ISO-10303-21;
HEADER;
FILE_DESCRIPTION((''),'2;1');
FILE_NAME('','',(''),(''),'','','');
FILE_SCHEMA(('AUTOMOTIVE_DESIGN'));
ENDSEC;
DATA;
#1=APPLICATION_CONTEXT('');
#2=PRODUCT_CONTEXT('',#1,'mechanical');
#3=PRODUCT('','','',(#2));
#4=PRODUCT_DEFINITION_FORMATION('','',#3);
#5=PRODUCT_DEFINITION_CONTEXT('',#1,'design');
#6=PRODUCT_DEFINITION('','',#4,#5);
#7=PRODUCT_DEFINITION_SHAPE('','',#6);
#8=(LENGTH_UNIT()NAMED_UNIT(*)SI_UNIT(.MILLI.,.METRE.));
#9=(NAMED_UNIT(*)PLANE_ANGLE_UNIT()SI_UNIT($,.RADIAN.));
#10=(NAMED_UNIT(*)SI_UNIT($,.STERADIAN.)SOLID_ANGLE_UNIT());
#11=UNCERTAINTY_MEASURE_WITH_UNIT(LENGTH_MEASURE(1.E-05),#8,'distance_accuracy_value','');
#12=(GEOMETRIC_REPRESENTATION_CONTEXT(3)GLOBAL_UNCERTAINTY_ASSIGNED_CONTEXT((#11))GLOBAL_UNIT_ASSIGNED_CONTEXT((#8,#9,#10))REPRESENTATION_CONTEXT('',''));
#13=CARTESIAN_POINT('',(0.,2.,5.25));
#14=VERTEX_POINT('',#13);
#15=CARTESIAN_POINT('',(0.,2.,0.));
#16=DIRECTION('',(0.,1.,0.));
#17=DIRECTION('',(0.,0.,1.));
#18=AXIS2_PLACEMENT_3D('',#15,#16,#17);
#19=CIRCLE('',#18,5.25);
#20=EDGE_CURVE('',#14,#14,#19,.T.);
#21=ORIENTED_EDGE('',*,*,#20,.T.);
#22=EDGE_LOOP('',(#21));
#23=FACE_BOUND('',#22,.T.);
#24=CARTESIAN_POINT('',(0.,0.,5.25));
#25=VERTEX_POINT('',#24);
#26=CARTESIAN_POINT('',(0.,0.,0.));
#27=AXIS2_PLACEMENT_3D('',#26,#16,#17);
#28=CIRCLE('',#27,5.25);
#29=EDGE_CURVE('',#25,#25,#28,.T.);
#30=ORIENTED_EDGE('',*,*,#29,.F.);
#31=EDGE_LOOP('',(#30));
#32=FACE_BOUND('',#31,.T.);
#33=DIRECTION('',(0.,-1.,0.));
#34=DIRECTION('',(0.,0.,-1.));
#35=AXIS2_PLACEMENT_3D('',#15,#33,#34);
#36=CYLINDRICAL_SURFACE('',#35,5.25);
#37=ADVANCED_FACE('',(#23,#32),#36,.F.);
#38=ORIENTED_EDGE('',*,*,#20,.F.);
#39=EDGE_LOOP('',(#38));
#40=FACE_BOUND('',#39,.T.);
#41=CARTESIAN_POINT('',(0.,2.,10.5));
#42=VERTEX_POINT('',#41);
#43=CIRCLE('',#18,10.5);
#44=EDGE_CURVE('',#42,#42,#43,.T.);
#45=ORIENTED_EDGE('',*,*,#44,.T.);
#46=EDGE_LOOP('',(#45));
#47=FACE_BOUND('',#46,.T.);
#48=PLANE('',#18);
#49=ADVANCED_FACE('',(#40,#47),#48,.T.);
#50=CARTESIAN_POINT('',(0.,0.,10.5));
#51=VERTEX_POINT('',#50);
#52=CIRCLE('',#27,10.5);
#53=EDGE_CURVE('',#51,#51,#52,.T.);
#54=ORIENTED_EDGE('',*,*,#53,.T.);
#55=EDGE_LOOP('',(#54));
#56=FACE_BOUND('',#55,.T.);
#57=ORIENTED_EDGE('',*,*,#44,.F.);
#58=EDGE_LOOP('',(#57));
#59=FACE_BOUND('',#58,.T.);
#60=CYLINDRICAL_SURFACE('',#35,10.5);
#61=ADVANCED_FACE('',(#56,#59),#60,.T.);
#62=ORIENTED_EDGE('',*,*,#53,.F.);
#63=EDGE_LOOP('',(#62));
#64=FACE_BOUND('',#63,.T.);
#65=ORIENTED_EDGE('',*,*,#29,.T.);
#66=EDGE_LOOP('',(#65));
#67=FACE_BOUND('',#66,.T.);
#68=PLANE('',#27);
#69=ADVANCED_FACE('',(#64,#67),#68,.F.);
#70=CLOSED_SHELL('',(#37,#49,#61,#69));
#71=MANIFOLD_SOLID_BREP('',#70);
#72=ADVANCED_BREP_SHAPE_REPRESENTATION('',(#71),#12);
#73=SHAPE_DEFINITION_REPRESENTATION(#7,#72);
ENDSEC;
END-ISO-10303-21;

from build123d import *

# Parameters (mm, degrees)
SZKIC1_R                    = 10.5
SZKIC1_R_2                  = 5.25
DODANIE_WYCI_GNI_CIE1_DEPTH = 2


with BuildPart() as part:
    # Szkic1 → Dodanie-wyciągnięcie1 (new body)
    with BuildSketch(Plane(origin=(0, 0, 0), x_dir=(1, 0, 0), z_dir=(0, 1, 0))):
        Circle(SZKIC1_R)
        Circle(SZKIC1_R_2, mode=Mode.SUBTRACT)
    extrude(amount=DODANIE_WYCI_GNI_CIE1_DEPTH)


solid = part.part
